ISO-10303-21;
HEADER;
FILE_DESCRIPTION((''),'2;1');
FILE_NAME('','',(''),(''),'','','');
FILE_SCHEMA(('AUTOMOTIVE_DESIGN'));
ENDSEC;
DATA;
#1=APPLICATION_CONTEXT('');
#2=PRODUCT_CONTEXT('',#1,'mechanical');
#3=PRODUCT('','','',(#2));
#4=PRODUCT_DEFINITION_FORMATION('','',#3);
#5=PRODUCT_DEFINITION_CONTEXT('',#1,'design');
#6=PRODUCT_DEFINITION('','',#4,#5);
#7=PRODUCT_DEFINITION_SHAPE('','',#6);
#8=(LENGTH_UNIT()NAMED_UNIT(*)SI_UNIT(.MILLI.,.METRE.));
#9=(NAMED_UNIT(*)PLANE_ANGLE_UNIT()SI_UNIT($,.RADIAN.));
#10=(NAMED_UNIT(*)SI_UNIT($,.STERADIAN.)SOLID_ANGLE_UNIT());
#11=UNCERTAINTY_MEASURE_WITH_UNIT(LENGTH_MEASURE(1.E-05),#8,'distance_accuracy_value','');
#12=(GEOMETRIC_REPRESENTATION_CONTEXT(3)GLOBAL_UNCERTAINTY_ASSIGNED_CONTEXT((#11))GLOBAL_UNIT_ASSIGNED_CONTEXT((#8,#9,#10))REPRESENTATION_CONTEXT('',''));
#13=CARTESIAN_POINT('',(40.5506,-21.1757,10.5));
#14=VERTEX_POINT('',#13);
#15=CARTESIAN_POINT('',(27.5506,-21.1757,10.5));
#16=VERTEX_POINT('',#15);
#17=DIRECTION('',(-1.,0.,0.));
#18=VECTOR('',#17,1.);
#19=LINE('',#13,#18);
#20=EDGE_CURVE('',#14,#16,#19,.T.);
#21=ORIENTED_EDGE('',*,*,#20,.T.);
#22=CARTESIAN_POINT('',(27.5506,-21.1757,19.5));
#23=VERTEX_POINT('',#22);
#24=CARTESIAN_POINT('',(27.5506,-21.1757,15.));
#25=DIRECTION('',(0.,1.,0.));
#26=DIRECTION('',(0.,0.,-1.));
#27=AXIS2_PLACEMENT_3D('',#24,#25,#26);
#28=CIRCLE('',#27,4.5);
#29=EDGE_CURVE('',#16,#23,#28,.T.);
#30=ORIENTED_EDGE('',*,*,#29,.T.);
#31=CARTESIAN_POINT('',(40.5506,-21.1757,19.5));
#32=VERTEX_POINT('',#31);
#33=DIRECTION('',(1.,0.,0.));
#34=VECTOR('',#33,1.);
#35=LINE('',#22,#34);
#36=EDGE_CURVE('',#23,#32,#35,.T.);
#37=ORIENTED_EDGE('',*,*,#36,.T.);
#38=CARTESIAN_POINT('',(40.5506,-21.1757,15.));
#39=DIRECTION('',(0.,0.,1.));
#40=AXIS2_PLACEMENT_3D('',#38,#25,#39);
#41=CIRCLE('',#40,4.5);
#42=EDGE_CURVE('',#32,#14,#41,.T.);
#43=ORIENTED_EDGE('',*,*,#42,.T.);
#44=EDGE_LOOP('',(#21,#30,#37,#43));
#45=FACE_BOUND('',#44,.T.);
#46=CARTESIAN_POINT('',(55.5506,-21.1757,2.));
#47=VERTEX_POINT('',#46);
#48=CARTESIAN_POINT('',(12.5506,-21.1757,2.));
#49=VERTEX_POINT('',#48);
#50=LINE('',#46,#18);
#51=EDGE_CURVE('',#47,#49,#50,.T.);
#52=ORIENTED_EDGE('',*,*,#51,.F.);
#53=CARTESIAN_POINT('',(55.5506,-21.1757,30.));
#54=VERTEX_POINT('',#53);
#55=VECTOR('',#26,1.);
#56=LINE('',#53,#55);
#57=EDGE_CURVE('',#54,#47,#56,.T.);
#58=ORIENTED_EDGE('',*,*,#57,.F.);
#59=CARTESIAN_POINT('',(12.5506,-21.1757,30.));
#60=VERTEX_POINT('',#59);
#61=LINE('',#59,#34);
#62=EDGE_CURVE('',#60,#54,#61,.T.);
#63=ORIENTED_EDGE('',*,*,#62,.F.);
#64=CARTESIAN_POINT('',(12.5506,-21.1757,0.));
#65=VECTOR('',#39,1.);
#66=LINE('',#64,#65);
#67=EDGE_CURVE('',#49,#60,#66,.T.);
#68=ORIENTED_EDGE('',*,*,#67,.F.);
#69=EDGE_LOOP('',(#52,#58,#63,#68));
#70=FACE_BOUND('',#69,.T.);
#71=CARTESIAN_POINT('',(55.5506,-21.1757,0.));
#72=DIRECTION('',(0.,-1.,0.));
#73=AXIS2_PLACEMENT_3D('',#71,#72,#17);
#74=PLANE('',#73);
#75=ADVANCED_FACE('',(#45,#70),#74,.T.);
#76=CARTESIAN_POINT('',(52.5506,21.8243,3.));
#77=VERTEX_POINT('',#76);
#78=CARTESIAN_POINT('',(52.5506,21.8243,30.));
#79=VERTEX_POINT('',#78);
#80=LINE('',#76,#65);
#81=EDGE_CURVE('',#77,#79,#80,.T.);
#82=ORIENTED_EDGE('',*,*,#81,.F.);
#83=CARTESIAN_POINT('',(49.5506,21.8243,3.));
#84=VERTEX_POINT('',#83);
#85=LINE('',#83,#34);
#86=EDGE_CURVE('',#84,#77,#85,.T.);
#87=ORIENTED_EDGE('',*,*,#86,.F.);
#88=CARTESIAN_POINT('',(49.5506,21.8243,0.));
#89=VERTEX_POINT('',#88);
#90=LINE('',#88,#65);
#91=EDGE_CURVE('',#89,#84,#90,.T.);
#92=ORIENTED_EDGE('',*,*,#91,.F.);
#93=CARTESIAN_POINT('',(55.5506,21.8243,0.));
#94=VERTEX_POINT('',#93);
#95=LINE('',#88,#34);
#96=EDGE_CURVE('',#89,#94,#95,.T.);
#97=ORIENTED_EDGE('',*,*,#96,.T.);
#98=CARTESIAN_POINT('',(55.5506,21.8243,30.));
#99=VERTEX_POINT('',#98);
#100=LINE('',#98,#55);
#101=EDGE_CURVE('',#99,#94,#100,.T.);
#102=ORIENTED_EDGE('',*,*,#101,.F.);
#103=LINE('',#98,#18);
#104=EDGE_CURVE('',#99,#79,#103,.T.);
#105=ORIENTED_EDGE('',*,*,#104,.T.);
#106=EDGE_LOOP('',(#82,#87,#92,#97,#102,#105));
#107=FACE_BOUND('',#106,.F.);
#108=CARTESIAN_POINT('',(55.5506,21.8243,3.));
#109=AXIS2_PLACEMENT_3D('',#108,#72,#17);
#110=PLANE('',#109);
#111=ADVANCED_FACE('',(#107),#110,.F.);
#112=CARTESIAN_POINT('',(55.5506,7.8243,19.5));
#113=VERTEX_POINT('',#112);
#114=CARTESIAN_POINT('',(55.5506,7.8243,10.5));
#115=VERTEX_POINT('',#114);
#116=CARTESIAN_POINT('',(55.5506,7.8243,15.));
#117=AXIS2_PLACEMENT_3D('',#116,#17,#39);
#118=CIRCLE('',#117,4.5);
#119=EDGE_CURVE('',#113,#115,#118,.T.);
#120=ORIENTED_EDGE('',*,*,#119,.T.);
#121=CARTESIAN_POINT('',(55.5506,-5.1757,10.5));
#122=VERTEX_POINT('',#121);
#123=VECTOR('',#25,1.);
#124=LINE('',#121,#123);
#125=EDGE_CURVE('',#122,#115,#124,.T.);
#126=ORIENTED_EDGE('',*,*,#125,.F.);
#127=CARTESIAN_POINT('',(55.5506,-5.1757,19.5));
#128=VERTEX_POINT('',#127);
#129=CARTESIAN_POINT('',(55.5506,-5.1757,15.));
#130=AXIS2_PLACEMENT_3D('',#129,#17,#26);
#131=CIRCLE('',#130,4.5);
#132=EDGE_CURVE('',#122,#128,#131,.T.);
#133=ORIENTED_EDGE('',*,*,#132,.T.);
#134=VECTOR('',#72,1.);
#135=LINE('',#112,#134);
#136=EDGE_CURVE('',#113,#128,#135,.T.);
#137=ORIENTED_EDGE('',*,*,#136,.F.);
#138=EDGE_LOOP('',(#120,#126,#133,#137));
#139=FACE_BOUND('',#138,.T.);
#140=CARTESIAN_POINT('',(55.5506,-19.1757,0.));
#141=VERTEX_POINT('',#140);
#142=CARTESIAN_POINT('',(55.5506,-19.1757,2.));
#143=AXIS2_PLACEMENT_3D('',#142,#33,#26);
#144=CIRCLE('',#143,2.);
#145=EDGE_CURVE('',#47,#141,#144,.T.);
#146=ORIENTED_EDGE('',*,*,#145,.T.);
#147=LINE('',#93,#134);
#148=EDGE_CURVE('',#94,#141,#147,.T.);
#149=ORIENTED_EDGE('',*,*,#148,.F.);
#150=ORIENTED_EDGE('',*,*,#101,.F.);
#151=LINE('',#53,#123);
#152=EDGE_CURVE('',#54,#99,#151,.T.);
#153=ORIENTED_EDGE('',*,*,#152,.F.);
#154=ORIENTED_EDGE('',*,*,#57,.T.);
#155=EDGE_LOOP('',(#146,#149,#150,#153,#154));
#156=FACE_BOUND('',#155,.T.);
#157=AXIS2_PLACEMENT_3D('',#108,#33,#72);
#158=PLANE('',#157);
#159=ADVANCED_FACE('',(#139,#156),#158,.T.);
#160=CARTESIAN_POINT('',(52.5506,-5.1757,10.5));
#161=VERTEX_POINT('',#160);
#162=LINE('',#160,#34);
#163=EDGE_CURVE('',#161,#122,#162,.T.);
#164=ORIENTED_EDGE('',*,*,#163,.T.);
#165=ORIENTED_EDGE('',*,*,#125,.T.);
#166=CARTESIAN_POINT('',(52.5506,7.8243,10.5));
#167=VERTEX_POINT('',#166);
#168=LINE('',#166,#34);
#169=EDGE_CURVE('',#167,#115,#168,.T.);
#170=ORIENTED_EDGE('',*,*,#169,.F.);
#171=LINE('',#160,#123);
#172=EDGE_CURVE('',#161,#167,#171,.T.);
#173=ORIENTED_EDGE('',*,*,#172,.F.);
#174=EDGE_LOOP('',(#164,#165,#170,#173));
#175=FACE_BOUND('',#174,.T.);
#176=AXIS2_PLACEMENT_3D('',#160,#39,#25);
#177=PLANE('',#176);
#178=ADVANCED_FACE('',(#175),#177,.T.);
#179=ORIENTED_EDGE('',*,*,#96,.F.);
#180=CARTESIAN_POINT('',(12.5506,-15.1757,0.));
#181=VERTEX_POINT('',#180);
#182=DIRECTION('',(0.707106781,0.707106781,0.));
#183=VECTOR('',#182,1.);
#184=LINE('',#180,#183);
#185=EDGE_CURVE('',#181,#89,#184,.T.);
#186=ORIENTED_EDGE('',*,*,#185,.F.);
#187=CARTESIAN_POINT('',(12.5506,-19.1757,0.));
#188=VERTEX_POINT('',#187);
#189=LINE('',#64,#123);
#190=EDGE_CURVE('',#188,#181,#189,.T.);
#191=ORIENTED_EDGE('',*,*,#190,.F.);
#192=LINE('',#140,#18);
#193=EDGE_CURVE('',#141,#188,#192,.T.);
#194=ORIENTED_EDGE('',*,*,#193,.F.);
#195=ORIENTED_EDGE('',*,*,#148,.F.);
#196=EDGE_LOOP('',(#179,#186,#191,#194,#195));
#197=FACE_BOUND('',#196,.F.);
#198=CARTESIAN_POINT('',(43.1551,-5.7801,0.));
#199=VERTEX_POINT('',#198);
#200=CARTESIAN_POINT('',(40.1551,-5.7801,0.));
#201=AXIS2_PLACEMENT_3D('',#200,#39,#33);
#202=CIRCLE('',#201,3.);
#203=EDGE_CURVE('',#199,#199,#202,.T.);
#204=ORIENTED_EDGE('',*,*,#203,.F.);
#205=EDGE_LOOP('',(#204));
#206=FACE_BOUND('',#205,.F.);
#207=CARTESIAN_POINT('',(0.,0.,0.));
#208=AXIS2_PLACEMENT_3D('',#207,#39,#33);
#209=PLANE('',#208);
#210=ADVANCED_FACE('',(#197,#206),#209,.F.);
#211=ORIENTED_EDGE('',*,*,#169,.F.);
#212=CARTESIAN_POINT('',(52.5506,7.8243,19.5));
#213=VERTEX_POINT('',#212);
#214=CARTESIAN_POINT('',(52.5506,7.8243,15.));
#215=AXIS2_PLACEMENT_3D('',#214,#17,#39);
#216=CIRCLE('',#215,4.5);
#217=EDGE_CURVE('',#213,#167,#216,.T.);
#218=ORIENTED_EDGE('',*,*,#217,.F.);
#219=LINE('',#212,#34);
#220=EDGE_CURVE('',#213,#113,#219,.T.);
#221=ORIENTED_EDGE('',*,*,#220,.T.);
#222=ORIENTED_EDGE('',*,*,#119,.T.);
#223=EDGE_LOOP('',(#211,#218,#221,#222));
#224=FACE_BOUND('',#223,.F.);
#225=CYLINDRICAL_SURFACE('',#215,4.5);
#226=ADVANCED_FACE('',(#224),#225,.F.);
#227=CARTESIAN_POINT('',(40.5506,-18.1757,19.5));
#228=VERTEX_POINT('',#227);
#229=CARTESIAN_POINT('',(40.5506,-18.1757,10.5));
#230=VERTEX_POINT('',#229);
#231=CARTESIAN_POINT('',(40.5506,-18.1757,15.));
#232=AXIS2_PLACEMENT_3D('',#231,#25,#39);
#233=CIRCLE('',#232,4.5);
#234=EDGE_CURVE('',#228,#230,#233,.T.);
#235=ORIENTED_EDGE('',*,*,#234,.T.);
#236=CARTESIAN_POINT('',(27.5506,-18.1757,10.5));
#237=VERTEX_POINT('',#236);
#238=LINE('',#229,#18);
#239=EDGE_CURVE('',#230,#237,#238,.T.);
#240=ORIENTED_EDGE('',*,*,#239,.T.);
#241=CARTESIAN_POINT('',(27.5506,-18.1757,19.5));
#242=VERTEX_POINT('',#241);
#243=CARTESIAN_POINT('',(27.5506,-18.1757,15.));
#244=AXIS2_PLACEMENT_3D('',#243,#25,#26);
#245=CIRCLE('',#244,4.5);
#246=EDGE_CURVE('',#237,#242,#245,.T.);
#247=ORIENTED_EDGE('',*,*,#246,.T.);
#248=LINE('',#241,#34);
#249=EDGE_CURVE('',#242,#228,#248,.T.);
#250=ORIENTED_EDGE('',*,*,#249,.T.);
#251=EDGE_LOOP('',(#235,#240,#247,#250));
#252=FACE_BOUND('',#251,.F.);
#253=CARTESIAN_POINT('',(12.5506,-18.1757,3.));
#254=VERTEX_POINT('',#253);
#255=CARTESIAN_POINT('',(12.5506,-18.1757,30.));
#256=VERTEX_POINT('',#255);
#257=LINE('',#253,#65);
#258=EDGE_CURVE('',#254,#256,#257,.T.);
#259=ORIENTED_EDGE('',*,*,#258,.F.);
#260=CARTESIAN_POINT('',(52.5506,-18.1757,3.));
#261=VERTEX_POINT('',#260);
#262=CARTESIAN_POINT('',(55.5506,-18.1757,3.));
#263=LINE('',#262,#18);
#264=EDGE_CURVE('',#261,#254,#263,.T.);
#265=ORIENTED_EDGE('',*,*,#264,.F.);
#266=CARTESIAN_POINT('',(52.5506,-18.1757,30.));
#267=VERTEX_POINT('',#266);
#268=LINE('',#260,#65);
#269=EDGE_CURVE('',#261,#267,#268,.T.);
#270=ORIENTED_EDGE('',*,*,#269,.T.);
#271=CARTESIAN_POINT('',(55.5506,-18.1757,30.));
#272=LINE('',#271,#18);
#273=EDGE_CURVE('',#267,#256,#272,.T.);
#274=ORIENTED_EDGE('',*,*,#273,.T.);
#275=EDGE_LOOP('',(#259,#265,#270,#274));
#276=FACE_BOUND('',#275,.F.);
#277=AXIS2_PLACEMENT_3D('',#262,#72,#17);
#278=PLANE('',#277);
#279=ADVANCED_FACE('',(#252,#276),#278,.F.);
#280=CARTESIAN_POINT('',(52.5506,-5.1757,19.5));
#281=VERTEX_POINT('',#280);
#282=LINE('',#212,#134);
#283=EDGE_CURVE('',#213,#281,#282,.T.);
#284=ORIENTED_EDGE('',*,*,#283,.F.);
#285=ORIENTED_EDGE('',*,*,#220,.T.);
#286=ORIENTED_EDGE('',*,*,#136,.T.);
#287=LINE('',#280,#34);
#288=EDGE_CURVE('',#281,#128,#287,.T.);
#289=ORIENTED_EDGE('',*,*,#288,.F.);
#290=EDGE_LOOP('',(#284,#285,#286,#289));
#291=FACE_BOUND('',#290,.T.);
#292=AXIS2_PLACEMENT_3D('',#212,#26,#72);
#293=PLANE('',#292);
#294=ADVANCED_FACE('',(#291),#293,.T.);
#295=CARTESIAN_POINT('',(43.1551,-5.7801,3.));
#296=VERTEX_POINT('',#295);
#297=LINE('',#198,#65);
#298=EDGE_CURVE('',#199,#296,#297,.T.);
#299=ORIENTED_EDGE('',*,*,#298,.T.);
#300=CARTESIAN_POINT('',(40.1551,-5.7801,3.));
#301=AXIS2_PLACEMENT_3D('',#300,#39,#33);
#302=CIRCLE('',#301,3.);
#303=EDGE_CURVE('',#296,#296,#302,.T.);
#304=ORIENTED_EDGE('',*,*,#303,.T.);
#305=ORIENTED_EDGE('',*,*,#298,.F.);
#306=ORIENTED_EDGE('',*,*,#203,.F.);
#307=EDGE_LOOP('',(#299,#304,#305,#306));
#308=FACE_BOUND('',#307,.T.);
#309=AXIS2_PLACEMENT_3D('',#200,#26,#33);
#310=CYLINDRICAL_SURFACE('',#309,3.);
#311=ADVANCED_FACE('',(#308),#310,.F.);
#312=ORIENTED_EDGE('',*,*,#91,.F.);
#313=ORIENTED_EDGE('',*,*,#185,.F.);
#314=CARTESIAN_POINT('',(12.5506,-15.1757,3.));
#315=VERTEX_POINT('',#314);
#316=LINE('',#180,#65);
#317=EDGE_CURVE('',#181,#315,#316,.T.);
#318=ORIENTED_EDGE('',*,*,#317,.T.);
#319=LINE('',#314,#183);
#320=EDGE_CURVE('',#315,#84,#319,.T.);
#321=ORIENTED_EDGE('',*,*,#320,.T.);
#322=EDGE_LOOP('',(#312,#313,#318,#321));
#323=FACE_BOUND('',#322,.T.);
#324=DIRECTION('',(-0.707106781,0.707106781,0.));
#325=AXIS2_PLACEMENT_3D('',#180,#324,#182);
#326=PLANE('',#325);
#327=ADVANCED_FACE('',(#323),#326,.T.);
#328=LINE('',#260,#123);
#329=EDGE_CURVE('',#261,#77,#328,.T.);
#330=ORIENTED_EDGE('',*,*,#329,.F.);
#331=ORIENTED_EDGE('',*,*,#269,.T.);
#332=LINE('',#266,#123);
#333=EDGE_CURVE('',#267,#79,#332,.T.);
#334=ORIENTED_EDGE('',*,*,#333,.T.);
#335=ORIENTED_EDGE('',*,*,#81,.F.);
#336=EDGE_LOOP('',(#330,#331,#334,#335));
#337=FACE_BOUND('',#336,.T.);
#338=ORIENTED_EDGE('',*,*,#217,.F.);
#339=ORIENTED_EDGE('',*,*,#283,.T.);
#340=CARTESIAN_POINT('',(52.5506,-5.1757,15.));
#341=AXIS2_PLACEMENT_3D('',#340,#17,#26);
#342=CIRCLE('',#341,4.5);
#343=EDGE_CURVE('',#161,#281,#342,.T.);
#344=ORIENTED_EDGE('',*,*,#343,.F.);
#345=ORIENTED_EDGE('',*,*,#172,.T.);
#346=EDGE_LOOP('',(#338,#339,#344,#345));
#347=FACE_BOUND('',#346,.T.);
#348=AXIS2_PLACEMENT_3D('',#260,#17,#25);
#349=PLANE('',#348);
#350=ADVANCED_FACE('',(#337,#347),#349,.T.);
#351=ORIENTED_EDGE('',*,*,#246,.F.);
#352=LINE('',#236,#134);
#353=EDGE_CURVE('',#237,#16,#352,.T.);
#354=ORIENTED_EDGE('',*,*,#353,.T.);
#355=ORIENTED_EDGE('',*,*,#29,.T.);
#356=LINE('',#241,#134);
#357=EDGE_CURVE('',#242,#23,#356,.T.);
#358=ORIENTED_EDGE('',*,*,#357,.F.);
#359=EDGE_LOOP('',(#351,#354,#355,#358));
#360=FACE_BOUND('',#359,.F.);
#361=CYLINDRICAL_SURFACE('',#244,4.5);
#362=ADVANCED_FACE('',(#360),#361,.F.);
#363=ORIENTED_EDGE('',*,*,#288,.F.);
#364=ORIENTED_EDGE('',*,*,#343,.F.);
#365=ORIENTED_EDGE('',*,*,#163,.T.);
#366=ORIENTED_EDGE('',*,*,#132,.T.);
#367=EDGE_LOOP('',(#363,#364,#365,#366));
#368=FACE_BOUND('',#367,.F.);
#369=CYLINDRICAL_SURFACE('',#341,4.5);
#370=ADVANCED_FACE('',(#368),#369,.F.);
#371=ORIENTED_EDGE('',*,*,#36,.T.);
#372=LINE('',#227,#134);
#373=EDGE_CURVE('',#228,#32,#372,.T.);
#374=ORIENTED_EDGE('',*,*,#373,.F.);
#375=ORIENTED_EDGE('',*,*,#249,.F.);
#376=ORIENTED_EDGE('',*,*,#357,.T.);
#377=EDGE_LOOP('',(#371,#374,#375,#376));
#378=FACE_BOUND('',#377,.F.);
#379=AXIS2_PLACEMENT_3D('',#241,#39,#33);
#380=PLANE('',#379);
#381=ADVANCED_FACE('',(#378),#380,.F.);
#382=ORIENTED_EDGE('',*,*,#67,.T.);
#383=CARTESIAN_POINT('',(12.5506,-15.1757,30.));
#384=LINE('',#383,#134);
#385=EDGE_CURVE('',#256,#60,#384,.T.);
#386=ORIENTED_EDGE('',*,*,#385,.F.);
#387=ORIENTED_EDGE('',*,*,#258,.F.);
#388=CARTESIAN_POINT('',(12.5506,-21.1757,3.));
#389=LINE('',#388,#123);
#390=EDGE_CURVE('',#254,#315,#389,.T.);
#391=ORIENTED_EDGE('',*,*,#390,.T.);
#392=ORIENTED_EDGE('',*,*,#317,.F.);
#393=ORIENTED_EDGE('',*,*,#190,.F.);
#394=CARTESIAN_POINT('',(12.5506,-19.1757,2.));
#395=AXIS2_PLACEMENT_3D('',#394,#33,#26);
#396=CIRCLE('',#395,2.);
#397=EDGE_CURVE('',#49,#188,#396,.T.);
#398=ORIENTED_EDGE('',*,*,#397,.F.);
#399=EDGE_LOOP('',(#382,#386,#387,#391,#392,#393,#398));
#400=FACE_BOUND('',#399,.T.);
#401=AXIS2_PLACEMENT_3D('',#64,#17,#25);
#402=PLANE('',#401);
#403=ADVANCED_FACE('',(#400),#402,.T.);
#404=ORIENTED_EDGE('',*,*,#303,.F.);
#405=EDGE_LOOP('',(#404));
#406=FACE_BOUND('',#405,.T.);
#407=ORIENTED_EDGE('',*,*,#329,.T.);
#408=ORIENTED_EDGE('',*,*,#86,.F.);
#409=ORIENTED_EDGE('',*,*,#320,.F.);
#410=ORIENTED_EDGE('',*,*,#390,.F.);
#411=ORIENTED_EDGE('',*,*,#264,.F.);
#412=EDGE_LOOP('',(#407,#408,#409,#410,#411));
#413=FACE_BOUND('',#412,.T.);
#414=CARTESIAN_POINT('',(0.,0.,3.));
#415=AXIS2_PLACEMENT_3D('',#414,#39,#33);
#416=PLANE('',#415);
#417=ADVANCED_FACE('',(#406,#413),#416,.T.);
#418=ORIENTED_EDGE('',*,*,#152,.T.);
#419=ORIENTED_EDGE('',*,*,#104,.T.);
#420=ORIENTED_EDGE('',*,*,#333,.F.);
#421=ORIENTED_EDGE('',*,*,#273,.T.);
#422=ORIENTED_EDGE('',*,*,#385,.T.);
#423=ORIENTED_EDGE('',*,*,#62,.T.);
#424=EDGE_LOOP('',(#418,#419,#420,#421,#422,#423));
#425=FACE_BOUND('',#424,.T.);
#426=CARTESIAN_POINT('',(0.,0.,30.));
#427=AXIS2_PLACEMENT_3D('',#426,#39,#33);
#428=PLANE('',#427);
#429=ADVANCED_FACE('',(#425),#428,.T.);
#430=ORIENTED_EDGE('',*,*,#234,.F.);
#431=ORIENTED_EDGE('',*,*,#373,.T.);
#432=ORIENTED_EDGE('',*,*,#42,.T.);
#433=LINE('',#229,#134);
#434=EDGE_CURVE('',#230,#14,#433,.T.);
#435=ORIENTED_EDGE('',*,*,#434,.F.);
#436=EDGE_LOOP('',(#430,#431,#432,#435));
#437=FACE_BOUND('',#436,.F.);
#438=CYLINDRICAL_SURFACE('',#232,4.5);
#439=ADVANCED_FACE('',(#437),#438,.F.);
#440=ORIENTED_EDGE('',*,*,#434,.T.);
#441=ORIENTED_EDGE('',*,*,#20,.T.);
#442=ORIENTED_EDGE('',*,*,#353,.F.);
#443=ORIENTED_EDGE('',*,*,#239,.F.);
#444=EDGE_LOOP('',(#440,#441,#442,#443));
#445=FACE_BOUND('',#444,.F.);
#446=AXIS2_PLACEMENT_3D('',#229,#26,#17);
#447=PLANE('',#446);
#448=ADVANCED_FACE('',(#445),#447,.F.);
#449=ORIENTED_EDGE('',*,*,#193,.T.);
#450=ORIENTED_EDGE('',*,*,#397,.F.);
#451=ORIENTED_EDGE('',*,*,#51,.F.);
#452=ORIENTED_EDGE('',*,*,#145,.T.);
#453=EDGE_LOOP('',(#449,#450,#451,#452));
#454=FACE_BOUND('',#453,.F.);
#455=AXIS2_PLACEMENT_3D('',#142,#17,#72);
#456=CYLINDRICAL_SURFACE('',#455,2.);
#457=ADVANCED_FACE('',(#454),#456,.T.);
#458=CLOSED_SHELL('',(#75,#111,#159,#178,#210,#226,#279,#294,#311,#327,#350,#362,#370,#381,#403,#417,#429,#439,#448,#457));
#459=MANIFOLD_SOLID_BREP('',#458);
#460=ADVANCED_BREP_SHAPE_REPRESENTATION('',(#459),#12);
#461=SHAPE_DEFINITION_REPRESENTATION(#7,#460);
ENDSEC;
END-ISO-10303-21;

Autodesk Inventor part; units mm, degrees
ref_plane "YZ Plane" through (0, 0, 0) normal (1, 0, 0) x (0, 1, 0)
ref_plane "XZ Plane" through (0, 0, 0) normal (0, 1, 0) x (-1, 0, 0)
ref_plane "XY Plane" through (0, 0, 0) normal (0, 0, 1) x (1, 0, 0)
sketch "Boceto1" plane through (0, 0, 0) normal (0, 0, 1) x (1, 0, 0)
  line L0 (49.5506, 21.8243) -> (55.5506, 21.8243)
  line L1 (55.5506, 21.8243) -> (55.5506, -21.1757)
  line L2 (55.5506, -21.1757) -> (12.5506, -21.1757)
  line L3 (12.5506, -21.1757) -> (12.5506, -15.1757)
  line L4 (55.5506, 21.8243) -> (49.5506, 21.8243)
  line L5 (12.5506, -21.1757) -> (12.5506, -15.1757)
  line L6 (12.5506, -15.1757) -> (49.5506, 21.8243)
  circle A0 centre (40.1551, -5.7801) radius 3
  point P0 (0, 0)
  dimension "d0" = 43
  dimension "d1" = 43
  dimension "d2" = 6
  dimension "d3" = 6
  dimension "d4" = 6
extrude "Extrusión1" add sketch "Boceto1" along normal blind 3
sketch "Boceto2" plane through (0, 0, 3) normal (0, 0, 1) x (1, 0, 0)
  line L0 (12.5506, -15.1757) -> (12.5506, -21.1757) projected
  line L1 (55.5506, -21.1757) -> (55.5506, 21.8243) projected
  line L2 (12.5506, -21.1757) -> (55.5506, -21.1757)
  line L3 (55.5506, -21.1757) -> (55.5506, -18.1757)
  line L4 (55.5506, -18.1757) -> (12.5506, -18.1757)
  line L5 (12.5506, -18.1757) -> (12.5506, -21.1757)
  point P0 (0, 0)
  dimension "d7" = 3
extrude "Extrusión2" add sketch "Boceto2" along normal blind 27
sketch "Boceto3" plane through (0, 0, 3) normal (0, 0, 1) x (1, 0, 0)
  line L0 (12.5506, -18.1757) -> (55.5506, -18.1757) projected
  line L1 (55.5506, 21.8243) -> (49.5506, 21.8243) projected
  line L2 (55.5506, -18.1757) -> (52.5506, -18.1757)
  line L3 (52.5506, -18.1757) -> (52.5506, 21.8243)
  line L4 (52.5506, 21.8243) -> (55.5506, 21.8243)
  line L5 (55.5506, 21.8243) -> (55.5506, -18.1757)
  point P0 (0, 0)
extrude "Extrusión3" add sketch "Boceto3" along normal blind 27
fillet "Empalme1" radius 2 1 edges at (34.0506, -21.1757, 0)
sketch "Boceto4" plane through (52.5506, -18.1757, 3) normal (-1, 0, 0) x (0, 0, 1)
  line L0 (-3, 40) -> (27, 40) projected
  line L1 (27, 40) -> (12, 40)
  line L2 (-1, -3) -> (27, -3) projected
  line L3 (16.5, 26) -> (16.5, 13)
  line L4 (7.5, 13) -> (7.5, 26)
  line L5 (27, 40) -> (27, 0) projected
  arc A0 (16.5, 26) -> (7.5, 26) centre (12, 26) ccw
  arc A1 (7.5, 13) -> (16.5, 13) centre (12, 13) ccw
  point P0 (-3, 18.1757)
  dimension "d13" = 15
  dimension "d15" = 9
  dimension "d16" = 13
  dimension "d19" = 9
  dimension "d20" = 9
extrude "Extrusión4" cut sketch "Boceto4" against normal blind 3
sketch "Boceto5" plane through (12.5506, -18.1757, 30) normal (0, 1, 0) x (1, 0, 0)
  line L0 (0, 30) -> (0, 15)
  line L1 (0, 28) -> (0, 0) projected
  line L2 (43, 19.5) -> (43, 10.5) projected
  line L3 (15, 10.5) -> (28, 10.5)
  line L4 (28, 19.5) -> (15, 19.5)
  line L5 (37, 30) -> (0, 30) projected
  arc A0 (15, 19.5) -> (15, 10.5) centre (15, 15) ccw
  arc A1 (28, 10.5) -> (28, 19.5) centre (28, 15) ccw
  point P0 (-12.5506, 30)
  dimension "d23" = 15
  dimension "d28" = 19.5
extrude "Extrusión5" cut sketch "Boceto5" against normal blind 3
sketch "Boceto6" plane through (52.5506, -18.1757, 3) normal (-1, 0, 0) x (0, 0, 1)
  point P0 (-3, 18.1757)
properties part number "Sujetador2" material "Acero, galvanizado"
